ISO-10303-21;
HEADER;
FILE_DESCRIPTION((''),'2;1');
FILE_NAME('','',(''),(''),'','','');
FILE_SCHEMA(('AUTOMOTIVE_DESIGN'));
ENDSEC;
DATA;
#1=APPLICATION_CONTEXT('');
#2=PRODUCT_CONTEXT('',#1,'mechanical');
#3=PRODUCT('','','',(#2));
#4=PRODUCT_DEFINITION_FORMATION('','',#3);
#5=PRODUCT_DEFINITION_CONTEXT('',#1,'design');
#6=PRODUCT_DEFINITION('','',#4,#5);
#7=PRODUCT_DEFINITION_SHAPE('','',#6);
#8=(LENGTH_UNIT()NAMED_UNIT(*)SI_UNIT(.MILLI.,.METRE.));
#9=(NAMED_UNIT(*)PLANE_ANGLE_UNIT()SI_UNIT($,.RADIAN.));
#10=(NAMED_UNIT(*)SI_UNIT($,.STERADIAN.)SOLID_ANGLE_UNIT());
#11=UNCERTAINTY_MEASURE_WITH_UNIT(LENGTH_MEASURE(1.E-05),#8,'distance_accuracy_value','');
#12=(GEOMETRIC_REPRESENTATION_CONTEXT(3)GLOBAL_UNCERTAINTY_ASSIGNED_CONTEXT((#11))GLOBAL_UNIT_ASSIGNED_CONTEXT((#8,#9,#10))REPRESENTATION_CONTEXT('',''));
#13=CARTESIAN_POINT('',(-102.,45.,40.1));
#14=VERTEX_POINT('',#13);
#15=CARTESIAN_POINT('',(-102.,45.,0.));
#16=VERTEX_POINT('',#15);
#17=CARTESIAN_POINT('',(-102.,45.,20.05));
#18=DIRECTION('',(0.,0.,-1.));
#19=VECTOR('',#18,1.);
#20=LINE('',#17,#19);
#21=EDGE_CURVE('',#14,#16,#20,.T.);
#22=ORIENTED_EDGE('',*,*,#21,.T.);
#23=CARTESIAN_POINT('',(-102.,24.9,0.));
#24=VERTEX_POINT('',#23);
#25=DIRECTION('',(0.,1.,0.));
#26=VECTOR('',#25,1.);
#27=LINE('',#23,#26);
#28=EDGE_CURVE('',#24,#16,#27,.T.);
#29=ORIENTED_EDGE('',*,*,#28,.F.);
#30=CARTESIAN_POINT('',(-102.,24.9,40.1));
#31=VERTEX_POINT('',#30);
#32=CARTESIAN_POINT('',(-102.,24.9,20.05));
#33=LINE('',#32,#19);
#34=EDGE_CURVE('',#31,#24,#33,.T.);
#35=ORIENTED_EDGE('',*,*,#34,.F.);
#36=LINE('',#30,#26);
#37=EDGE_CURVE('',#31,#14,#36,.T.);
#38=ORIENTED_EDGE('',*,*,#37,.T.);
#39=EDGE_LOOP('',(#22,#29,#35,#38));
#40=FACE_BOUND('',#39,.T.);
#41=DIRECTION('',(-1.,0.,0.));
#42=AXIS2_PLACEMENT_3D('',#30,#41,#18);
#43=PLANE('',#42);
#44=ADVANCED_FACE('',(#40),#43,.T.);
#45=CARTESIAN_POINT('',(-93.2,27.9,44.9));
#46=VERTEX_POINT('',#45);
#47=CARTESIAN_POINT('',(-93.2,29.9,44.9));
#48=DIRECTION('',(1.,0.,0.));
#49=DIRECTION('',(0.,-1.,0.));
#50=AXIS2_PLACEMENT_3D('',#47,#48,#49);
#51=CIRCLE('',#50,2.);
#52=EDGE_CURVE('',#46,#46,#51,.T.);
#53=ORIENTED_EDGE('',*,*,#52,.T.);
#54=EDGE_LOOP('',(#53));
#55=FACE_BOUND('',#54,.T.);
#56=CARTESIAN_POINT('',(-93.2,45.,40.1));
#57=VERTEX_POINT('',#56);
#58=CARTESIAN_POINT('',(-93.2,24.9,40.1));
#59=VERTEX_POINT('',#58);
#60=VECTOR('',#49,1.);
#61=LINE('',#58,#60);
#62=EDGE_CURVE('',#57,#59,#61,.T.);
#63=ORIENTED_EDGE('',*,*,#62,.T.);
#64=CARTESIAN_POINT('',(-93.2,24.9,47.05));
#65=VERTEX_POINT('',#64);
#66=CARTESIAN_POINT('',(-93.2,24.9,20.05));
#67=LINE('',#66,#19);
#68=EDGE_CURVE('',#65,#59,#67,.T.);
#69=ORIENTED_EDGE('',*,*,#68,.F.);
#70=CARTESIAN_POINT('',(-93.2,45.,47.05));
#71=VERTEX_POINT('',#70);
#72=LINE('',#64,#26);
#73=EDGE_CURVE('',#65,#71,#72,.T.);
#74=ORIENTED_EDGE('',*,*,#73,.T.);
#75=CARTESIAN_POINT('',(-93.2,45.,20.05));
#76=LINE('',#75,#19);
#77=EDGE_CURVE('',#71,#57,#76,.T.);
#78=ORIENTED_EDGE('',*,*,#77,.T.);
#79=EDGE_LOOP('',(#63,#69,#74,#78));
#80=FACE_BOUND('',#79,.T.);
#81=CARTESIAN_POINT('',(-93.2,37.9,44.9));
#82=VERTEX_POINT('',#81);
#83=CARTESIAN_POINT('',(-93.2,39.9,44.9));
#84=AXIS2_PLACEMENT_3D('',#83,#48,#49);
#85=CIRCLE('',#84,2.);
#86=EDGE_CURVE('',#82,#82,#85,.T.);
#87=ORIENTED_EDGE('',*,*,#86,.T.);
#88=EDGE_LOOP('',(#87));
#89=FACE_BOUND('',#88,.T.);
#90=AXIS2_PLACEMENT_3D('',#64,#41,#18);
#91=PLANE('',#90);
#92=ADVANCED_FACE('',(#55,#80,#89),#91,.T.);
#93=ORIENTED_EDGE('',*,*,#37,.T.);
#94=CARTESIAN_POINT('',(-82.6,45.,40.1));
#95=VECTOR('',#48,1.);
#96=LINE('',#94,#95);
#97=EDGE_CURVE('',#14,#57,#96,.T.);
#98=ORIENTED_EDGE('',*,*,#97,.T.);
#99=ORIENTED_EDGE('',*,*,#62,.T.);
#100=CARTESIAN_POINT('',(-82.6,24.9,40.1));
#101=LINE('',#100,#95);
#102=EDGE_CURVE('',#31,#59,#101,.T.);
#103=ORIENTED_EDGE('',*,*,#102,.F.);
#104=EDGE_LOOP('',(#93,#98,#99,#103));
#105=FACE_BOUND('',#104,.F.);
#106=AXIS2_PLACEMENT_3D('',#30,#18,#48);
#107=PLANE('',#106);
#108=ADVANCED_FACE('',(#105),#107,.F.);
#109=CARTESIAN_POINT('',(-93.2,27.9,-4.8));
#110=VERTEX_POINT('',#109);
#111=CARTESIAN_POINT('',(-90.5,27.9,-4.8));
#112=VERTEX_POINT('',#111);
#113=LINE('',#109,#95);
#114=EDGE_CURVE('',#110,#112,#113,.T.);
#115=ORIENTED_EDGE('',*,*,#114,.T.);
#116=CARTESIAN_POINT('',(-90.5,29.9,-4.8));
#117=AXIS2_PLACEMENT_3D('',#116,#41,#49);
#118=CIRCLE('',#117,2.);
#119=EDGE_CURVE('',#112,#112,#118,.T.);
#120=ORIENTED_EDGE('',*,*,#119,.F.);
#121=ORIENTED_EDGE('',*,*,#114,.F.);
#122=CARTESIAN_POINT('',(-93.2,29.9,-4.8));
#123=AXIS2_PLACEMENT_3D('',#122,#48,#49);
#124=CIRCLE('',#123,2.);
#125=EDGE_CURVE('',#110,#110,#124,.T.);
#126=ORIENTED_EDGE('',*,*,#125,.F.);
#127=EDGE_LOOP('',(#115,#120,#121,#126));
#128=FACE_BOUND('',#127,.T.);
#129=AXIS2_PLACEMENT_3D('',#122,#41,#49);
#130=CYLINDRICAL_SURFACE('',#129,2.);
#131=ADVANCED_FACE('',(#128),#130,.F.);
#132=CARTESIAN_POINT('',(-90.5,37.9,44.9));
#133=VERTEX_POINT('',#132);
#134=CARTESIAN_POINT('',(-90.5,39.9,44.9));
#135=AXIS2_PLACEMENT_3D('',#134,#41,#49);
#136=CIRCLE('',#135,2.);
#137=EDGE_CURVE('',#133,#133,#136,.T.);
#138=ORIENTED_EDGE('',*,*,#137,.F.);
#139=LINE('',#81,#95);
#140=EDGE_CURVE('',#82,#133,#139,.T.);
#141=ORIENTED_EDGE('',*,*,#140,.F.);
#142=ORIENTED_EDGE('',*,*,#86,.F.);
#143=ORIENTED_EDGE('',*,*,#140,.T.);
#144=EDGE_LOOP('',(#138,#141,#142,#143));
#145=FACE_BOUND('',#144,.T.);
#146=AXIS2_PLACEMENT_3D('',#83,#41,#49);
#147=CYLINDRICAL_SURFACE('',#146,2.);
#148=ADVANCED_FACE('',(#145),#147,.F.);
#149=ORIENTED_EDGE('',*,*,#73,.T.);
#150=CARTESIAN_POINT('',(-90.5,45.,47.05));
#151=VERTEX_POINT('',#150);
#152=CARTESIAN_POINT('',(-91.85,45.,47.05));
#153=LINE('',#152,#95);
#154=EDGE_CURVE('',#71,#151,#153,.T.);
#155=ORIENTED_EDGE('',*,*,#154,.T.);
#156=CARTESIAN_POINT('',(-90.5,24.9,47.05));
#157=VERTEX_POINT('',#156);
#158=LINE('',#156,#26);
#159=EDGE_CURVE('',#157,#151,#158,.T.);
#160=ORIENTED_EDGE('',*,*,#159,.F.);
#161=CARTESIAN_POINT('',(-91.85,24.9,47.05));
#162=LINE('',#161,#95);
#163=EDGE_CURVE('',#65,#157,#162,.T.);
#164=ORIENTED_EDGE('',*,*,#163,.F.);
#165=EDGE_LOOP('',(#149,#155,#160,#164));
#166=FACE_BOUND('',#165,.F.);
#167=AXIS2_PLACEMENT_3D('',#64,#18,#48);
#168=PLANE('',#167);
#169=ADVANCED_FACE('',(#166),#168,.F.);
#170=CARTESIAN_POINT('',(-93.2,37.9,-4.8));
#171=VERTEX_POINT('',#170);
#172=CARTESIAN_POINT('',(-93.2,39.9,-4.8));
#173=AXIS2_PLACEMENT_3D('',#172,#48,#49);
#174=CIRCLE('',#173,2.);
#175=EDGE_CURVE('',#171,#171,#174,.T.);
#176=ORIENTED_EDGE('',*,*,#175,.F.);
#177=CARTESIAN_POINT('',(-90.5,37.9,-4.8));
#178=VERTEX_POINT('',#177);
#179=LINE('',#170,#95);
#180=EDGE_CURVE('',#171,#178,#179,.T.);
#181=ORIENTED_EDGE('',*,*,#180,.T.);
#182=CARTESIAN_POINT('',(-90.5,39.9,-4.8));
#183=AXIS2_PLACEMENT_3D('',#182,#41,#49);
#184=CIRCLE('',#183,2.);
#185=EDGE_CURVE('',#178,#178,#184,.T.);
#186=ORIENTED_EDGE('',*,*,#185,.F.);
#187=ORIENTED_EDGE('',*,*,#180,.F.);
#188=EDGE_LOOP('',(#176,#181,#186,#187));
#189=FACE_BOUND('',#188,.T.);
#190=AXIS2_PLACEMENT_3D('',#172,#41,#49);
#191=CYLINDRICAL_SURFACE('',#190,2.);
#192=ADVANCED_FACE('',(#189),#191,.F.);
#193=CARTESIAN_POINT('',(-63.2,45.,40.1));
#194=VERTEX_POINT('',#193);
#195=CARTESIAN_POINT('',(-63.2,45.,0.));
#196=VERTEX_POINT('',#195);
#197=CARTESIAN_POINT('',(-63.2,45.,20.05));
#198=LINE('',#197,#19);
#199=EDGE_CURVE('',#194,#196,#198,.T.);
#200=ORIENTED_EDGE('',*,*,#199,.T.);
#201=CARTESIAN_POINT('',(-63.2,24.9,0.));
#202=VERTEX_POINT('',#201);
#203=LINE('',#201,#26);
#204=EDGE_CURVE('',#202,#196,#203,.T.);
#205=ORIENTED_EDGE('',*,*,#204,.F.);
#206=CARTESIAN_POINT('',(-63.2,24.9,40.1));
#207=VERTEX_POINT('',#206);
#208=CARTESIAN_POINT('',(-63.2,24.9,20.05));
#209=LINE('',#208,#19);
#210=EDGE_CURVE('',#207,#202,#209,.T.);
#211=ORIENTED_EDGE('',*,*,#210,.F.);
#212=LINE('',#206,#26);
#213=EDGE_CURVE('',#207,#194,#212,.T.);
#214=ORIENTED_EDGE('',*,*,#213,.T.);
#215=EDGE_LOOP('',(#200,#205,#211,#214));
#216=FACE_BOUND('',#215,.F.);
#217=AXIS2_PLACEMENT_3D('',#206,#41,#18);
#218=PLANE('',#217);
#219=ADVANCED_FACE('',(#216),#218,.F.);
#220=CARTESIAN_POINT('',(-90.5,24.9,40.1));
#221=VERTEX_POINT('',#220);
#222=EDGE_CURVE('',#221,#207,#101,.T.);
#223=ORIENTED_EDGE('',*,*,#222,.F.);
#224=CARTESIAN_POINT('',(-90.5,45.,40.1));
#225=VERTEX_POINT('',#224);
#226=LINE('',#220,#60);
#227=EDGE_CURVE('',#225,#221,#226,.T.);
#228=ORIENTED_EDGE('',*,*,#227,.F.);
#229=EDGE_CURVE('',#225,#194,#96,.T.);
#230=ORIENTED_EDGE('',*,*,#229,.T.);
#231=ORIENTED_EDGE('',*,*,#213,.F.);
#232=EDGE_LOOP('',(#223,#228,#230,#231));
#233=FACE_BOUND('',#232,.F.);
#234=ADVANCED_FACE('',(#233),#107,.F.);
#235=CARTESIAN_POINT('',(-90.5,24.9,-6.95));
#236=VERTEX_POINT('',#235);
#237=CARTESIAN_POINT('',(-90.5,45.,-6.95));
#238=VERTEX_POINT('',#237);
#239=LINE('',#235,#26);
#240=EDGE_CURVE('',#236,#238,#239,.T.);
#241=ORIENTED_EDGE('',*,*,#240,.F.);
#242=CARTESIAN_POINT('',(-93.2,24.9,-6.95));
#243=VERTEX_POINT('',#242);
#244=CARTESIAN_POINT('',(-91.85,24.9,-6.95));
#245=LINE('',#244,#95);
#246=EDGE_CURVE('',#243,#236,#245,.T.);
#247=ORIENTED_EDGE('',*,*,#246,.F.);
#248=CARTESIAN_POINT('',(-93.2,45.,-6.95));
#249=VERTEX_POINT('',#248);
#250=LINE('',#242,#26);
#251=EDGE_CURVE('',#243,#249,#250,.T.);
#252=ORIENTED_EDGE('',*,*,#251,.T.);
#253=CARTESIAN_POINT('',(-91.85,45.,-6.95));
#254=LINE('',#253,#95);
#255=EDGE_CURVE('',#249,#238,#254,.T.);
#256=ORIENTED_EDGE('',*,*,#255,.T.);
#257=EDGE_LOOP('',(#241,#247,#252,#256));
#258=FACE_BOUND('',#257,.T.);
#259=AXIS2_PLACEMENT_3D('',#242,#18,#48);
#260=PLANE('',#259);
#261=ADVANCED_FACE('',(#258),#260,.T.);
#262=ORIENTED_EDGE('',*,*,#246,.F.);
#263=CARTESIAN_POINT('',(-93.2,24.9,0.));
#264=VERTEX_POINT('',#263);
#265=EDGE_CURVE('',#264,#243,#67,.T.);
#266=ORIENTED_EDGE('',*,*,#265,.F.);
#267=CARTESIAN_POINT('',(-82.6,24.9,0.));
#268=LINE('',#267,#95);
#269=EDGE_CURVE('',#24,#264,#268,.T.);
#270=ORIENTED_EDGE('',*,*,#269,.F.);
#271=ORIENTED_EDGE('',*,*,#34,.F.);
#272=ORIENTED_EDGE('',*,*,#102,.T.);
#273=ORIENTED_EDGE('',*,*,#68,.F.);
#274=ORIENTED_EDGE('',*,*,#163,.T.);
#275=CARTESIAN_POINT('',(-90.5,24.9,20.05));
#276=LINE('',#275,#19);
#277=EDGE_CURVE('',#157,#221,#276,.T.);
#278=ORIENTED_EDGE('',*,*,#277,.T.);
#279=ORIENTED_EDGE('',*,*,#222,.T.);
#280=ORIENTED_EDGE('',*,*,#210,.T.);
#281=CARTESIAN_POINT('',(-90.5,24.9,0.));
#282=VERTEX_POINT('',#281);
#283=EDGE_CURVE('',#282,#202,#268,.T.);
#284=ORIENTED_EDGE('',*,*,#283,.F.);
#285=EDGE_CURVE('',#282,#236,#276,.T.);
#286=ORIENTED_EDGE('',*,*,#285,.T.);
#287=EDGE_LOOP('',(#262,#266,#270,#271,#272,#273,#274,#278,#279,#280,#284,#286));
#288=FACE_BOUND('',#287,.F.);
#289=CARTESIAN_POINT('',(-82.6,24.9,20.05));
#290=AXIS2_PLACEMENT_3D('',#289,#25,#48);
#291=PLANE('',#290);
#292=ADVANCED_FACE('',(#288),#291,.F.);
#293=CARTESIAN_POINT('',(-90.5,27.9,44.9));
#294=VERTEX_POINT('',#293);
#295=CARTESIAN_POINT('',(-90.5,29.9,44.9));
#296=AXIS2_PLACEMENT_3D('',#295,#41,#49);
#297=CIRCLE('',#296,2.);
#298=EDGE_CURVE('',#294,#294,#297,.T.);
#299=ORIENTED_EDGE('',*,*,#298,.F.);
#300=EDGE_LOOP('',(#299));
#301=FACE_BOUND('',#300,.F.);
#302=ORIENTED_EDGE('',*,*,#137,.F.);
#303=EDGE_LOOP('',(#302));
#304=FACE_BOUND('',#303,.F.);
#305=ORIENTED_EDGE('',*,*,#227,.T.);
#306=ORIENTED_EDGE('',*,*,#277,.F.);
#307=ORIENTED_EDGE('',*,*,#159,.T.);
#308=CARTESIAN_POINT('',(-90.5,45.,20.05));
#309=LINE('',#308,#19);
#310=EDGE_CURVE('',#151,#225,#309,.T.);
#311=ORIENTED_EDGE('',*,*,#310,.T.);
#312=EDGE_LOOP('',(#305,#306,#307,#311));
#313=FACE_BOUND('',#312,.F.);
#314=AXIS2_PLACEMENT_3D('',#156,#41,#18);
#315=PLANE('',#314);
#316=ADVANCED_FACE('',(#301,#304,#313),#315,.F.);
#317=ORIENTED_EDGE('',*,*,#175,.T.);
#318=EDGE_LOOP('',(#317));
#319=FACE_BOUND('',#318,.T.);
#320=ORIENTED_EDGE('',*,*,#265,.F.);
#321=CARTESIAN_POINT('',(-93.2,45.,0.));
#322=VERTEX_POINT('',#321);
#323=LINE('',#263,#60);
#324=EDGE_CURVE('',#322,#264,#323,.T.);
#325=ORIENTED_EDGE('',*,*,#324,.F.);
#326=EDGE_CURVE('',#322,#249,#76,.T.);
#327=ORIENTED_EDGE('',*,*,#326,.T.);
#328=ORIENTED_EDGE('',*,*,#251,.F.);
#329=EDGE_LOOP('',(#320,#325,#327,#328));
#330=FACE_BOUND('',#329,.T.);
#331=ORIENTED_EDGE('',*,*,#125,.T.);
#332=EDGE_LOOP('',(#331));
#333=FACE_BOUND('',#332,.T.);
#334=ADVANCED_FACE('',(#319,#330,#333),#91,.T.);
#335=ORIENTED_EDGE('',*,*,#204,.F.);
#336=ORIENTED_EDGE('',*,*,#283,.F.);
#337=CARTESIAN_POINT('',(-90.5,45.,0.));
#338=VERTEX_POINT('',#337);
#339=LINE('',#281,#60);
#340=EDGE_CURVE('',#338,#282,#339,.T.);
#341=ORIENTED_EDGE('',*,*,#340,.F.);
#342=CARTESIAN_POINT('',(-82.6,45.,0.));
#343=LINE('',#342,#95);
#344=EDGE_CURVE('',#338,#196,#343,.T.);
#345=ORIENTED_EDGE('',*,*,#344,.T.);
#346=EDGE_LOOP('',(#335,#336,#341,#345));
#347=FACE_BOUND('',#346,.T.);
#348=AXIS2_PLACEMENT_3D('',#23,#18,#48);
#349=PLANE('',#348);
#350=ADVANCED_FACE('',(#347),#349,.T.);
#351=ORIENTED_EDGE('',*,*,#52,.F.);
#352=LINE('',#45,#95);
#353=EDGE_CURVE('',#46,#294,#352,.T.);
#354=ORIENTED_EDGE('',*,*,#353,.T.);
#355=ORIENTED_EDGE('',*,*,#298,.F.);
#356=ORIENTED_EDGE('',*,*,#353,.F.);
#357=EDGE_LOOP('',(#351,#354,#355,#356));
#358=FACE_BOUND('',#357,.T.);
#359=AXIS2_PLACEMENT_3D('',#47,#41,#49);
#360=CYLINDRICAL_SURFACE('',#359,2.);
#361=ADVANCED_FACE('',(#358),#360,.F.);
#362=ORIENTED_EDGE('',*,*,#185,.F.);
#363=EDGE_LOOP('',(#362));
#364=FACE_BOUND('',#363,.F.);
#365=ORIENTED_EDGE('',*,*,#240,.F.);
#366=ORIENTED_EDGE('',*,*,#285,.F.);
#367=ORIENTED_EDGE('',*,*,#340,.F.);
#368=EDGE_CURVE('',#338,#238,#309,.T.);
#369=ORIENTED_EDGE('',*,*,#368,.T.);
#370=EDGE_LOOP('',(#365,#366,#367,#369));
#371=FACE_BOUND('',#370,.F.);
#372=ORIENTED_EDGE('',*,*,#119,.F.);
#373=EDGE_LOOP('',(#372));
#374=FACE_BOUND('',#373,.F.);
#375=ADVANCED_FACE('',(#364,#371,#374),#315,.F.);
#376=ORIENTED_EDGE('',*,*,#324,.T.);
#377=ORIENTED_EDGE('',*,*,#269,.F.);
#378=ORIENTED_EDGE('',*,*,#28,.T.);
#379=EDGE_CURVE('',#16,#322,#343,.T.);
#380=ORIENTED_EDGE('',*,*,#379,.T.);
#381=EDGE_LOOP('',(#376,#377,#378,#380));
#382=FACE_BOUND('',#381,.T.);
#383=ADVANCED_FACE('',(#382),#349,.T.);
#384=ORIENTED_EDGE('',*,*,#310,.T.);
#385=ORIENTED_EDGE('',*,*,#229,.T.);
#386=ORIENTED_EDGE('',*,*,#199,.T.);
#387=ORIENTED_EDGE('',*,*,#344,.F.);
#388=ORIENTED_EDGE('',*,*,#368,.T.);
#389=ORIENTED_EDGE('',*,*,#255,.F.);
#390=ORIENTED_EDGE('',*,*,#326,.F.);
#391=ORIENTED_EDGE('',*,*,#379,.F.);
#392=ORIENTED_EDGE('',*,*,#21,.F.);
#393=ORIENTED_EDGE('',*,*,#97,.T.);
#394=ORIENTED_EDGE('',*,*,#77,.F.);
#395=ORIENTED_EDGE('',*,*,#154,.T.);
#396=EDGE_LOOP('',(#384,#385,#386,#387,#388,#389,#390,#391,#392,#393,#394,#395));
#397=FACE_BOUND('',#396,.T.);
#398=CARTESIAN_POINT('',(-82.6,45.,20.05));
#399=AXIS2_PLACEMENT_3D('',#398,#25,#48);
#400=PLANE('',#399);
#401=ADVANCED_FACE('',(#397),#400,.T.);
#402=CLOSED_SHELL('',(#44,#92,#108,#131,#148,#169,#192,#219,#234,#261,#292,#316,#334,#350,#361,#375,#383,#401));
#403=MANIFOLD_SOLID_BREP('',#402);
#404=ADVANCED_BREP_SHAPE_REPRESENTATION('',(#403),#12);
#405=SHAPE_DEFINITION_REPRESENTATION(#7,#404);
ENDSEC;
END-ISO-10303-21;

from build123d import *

# Parameters (mm, degrees)
CYLINDER174_R          = 2
CYLINDER174_DEPTH      = 20
CYLINDER173_R          = 2
CYLINDER173_DEPTH      = 20
CYLINDER171_R          = 2
CYLINDER171_DEPTH      = 20
CYLINDER172_R          = 2
CYLINDER172_DEPTH      = 20
BOX075_W               = 38.8
BOX075_H               = 40.1
BOX075_DEPTH           = 20.1
BOX223_W               = 2.7
BOX223_H               = 54
BOX223_DEPTH           = 20.1
CUT127_PLACEMENT_ANGLE = 90


with BuildPart() as cylinder174:
    # Cylinder174 → Cylinder174 (new body)
    with BuildSketch(Plane(origin=(-97.2, 2.2, 5), x_dir=(0, 0, -1), z_dir=(1, 0, 0))):
        Circle(CYLINDER174_R)
    extrude(amount=CYLINDER174_DEPTH)


with BuildPart() as cylinder173:
    # Cylinder173 → Cylinder173 (new body)
    with BuildSketch(Plane(origin=(-97.2, 2.2, 15), x_dir=(0, 0, -1), z_dir=(1, 0, 0))):
        Circle(CYLINDER173_R)
    extrude(amount=CYLINDER173_DEPTH)


with BuildPart() as cylinder171:
    # Cylinder171 → Cylinder171 (new body)
    with BuildSketch(Plane(origin=(-97.2, 51.9, 5), x_dir=(0, 0, -1), z_dir=(1, 0, 0))):
        Circle(CYLINDER171_R)
    extrude(amount=CYLINDER171_DEPTH)


with BuildPart() as cylinder172:
    # Cylinder172 → Cylinder172 (new body)
    with BuildSketch(Plane(origin=(-97.2, 51.9, 15), x_dir=(0, 0, -1), z_dir=(1, 0, 0))):
        Circle(CYLINDER172_R)
    extrude(amount=CYLINDER172_DEPTH)


with BuildPart() as box075:
    # Box075 → Box075 (new body)
    with BuildSketch(Plane(origin=(82, -93, 0), x_dir=(1, 0, 0), z_dir=(0, 0, 1))):
        with Locations((19.4, 20.05)):
            Rectangle(BOX075_W, BOX075_H)
    extrude(amount=BOX075_DEPTH)


with BuildPart() as cut127:
    # Box223 → Box223 (new body)
    with BuildSketch(Plane(origin=(90.8, -99.95, 0), x_dir=(1, 0, 0), z_dir=(0, 0, 1))):
        with Locations((1.35, 27)):
            Rectangle(BOX223_W, BOX223_H)
    extrude(amount=BOX223_DEPTH)

    # Fusion085: union Box075
    add(box075.part)


with BuildPart() as cut127_1:
    # Fusion085 placement: moved
    add(cut127.part.moved(Location((-188, 100, 0))))

    # Cut124: cut Cylinder172
    add(cylinder172.part, mode=Mode.SUBTRACT)

    # Cut125: cut Cylinder171
    add(cylinder171.part, mode=Mode.SUBTRACT)

    # Cut126: cut Cylinder173
    add(cylinder173.part, mode=Mode.SUBTRACT)

    # Cut127: cut Cylinder174
    add(cylinder174.part, mode=Mode.SUBTRACT)


with BuildPart() as cut127_2:
    # Cut127 placement: moved
    add(cut127_1.part.moved(Location((4, 24.9, 47.1))).rotate(Axis((4, 24.9, 47.1), (-1, 0, 0)), CUT127_PLACEMENT_ANGLE))


solid = cut127_2.part
